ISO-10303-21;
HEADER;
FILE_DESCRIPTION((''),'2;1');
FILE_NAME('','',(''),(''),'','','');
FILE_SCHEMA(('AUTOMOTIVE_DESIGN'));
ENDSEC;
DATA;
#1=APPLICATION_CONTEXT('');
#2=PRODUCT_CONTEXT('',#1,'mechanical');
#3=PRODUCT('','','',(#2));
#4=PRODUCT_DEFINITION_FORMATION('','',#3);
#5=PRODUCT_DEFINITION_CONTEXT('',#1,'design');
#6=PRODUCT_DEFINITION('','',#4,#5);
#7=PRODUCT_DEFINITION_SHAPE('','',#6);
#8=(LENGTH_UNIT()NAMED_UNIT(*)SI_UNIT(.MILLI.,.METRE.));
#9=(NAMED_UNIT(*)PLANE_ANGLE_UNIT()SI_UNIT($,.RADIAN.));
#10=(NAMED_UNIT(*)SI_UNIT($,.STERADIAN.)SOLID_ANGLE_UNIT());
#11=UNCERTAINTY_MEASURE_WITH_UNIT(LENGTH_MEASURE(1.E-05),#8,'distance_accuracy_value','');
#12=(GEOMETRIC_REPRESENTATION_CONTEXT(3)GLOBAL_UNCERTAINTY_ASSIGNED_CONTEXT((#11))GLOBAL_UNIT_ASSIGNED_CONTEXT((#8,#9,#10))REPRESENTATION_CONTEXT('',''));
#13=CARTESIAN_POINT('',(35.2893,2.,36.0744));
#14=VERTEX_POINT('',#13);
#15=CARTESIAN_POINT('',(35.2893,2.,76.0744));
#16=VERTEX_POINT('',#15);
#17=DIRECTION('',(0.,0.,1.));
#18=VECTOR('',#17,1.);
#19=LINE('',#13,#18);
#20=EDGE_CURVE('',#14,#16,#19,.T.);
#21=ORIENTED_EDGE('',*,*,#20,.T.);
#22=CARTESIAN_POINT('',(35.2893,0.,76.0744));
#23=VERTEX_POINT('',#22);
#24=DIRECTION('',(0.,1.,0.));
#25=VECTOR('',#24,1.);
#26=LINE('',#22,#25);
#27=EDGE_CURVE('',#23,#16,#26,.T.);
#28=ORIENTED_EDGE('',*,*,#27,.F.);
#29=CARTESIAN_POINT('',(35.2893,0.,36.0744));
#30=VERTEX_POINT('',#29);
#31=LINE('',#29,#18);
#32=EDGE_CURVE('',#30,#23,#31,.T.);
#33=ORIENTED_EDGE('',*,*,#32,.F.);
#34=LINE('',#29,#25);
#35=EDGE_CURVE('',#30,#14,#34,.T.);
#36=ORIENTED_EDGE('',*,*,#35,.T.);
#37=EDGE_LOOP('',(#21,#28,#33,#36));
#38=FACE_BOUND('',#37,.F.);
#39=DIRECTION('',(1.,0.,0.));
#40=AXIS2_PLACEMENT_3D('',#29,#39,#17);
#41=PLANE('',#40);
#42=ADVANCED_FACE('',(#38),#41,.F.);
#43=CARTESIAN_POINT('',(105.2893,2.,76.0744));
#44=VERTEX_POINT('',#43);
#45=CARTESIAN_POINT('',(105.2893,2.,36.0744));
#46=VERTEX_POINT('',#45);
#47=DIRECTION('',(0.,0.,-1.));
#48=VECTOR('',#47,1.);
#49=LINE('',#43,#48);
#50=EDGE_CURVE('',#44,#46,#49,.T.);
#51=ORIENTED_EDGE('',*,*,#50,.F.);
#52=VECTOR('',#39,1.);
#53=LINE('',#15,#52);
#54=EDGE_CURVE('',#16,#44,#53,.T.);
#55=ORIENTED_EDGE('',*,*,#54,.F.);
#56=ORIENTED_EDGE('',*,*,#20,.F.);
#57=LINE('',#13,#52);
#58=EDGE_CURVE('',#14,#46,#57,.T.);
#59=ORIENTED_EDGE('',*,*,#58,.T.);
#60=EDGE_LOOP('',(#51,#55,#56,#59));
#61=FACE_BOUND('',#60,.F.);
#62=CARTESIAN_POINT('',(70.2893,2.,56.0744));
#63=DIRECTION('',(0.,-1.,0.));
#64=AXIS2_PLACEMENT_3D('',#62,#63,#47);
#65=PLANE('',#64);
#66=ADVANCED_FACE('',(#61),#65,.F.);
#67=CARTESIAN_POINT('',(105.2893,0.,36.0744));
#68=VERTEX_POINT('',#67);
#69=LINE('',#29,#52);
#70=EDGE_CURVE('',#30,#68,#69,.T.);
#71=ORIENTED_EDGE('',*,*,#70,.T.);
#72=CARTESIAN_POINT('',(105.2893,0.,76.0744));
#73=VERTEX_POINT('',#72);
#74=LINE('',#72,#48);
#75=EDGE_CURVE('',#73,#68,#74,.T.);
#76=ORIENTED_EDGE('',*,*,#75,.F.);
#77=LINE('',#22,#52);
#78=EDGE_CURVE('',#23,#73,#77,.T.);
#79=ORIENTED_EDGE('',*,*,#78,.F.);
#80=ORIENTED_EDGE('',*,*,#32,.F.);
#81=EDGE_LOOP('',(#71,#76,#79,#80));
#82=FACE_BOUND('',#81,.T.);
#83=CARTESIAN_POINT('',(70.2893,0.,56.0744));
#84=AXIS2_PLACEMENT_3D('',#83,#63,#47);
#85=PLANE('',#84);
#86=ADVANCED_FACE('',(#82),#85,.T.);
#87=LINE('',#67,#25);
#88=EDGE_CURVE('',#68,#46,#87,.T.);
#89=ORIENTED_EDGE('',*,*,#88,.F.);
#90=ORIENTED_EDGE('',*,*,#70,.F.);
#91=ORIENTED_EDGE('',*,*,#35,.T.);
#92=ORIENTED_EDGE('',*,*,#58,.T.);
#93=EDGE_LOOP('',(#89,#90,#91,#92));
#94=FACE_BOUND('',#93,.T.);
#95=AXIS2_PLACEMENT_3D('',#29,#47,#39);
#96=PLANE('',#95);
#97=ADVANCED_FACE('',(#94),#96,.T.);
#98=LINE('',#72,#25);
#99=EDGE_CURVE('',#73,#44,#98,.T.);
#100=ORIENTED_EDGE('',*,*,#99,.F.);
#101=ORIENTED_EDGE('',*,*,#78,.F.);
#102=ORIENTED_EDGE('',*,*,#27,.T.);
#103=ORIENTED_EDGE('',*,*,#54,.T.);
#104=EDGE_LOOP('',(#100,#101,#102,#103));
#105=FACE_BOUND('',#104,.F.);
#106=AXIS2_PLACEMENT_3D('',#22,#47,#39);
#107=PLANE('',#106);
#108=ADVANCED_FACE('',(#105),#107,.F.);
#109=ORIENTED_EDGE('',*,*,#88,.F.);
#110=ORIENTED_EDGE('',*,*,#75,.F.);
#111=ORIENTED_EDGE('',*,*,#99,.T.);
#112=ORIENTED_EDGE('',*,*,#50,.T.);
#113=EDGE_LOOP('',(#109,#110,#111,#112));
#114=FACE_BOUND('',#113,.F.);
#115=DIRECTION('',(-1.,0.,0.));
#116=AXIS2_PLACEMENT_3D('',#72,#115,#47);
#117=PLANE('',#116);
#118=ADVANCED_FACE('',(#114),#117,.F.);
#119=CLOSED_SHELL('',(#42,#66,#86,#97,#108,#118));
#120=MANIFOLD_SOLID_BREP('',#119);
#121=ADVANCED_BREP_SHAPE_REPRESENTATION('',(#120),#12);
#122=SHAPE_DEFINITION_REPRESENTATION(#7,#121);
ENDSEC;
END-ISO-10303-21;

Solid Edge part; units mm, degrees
sketch "Sketch1" plane through (0, 0, 0) normal (0, -1, 0) x (1, 0, 0)
  line L0 (35.2893, 36.0744) -> (105.2893, 36.0744)
  line L1 (105.2893, 76.0744) -> (105.2893, 36.0744)
  line L2 (35.2893, 76.0744) -> (105.2893, 76.0744)
  line L3 (35.2893, 36.0744) -> (35.2893, 76.0744)
  dimension "D1" = 70
  dimension "D2" = 40
extrude "Protrusion1" add sketch "Sketch1" against normal blind 2
